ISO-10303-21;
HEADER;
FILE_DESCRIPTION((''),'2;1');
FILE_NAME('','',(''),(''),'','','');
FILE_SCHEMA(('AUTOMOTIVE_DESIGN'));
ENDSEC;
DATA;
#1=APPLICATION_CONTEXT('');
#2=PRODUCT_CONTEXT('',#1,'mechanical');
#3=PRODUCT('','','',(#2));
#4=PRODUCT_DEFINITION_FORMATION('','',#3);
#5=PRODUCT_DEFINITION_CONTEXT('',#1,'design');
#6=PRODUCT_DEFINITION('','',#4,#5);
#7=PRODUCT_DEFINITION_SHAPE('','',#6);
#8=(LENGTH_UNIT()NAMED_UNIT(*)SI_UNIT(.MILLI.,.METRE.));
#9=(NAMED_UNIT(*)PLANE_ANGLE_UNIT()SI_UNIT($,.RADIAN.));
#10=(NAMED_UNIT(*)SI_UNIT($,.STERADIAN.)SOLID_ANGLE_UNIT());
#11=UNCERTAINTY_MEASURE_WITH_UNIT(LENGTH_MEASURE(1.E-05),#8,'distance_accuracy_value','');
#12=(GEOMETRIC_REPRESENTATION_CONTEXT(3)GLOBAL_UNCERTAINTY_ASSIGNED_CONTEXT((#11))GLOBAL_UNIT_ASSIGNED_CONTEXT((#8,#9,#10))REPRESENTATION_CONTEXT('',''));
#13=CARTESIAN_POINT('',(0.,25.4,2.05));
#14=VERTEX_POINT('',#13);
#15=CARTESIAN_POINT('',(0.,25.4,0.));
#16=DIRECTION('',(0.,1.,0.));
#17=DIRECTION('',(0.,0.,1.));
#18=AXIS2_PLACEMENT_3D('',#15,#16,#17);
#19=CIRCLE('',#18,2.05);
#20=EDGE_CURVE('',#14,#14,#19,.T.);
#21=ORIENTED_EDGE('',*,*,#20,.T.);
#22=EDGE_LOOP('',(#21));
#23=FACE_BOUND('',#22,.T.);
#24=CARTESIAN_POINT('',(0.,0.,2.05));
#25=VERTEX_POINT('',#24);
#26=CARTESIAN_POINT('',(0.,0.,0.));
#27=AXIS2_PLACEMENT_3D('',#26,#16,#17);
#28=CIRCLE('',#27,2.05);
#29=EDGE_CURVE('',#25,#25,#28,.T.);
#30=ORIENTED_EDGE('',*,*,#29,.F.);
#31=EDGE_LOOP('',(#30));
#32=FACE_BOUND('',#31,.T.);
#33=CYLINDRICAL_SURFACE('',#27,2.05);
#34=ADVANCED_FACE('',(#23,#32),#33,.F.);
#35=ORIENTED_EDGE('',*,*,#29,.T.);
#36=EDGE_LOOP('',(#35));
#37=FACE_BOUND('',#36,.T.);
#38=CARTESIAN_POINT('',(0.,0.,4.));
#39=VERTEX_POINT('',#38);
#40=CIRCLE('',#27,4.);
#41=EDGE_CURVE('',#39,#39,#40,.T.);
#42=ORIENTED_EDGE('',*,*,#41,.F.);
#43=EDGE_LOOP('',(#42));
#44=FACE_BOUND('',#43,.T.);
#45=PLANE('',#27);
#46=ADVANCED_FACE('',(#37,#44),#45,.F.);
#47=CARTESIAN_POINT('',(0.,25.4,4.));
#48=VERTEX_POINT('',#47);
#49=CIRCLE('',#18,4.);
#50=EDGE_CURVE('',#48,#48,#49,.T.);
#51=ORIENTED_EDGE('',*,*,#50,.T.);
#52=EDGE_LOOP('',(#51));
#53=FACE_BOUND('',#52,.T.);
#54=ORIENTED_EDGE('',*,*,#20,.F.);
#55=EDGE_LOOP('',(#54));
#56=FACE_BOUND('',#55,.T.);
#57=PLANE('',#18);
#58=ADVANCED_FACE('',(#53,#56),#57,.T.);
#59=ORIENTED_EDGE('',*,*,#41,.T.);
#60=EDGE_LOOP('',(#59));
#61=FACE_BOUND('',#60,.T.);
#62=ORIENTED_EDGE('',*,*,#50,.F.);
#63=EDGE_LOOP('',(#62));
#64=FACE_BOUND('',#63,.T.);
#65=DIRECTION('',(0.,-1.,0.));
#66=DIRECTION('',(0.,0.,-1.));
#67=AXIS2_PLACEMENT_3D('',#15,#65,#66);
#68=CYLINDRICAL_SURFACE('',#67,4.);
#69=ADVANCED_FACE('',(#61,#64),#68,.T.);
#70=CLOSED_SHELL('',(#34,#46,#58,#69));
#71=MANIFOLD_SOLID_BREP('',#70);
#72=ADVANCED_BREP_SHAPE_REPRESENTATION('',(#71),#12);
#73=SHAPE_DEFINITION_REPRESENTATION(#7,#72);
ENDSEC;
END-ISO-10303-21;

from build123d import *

# Parameters (mm, degrees)
SKETCH1_R           = 4
BOSS_EXTRUDE1_DEPTH = 25.4
SKETCH2_R           = 2.05
CUT_EXTRUDE1_DEPTH  = 26.4


with BuildPart() as part:
    # Sketch1 → Boss-Extrude1 (new body)
    with BuildSketch(Plane(origin=(0, 0, 0), x_dir=(1, 0, 0), z_dir=(0, 1, 0))):
        Circle(SKETCH1_R)
    extrude(amount=BOSS_EXTRUDE1_DEPTH)

    # Sketch2 → Cut-Extrude1 (cut, through all)
    with BuildSketch(Plane(origin=(0, 25.4, 0), x_dir=(1, 0, 0), z_dir=(0, 1, 0))):
        Circle(SKETCH2_R)
    extrude(amount=-CUT_EXTRUDE1_DEPTH, mode=Mode.SUBTRACT)


solid = part.part
